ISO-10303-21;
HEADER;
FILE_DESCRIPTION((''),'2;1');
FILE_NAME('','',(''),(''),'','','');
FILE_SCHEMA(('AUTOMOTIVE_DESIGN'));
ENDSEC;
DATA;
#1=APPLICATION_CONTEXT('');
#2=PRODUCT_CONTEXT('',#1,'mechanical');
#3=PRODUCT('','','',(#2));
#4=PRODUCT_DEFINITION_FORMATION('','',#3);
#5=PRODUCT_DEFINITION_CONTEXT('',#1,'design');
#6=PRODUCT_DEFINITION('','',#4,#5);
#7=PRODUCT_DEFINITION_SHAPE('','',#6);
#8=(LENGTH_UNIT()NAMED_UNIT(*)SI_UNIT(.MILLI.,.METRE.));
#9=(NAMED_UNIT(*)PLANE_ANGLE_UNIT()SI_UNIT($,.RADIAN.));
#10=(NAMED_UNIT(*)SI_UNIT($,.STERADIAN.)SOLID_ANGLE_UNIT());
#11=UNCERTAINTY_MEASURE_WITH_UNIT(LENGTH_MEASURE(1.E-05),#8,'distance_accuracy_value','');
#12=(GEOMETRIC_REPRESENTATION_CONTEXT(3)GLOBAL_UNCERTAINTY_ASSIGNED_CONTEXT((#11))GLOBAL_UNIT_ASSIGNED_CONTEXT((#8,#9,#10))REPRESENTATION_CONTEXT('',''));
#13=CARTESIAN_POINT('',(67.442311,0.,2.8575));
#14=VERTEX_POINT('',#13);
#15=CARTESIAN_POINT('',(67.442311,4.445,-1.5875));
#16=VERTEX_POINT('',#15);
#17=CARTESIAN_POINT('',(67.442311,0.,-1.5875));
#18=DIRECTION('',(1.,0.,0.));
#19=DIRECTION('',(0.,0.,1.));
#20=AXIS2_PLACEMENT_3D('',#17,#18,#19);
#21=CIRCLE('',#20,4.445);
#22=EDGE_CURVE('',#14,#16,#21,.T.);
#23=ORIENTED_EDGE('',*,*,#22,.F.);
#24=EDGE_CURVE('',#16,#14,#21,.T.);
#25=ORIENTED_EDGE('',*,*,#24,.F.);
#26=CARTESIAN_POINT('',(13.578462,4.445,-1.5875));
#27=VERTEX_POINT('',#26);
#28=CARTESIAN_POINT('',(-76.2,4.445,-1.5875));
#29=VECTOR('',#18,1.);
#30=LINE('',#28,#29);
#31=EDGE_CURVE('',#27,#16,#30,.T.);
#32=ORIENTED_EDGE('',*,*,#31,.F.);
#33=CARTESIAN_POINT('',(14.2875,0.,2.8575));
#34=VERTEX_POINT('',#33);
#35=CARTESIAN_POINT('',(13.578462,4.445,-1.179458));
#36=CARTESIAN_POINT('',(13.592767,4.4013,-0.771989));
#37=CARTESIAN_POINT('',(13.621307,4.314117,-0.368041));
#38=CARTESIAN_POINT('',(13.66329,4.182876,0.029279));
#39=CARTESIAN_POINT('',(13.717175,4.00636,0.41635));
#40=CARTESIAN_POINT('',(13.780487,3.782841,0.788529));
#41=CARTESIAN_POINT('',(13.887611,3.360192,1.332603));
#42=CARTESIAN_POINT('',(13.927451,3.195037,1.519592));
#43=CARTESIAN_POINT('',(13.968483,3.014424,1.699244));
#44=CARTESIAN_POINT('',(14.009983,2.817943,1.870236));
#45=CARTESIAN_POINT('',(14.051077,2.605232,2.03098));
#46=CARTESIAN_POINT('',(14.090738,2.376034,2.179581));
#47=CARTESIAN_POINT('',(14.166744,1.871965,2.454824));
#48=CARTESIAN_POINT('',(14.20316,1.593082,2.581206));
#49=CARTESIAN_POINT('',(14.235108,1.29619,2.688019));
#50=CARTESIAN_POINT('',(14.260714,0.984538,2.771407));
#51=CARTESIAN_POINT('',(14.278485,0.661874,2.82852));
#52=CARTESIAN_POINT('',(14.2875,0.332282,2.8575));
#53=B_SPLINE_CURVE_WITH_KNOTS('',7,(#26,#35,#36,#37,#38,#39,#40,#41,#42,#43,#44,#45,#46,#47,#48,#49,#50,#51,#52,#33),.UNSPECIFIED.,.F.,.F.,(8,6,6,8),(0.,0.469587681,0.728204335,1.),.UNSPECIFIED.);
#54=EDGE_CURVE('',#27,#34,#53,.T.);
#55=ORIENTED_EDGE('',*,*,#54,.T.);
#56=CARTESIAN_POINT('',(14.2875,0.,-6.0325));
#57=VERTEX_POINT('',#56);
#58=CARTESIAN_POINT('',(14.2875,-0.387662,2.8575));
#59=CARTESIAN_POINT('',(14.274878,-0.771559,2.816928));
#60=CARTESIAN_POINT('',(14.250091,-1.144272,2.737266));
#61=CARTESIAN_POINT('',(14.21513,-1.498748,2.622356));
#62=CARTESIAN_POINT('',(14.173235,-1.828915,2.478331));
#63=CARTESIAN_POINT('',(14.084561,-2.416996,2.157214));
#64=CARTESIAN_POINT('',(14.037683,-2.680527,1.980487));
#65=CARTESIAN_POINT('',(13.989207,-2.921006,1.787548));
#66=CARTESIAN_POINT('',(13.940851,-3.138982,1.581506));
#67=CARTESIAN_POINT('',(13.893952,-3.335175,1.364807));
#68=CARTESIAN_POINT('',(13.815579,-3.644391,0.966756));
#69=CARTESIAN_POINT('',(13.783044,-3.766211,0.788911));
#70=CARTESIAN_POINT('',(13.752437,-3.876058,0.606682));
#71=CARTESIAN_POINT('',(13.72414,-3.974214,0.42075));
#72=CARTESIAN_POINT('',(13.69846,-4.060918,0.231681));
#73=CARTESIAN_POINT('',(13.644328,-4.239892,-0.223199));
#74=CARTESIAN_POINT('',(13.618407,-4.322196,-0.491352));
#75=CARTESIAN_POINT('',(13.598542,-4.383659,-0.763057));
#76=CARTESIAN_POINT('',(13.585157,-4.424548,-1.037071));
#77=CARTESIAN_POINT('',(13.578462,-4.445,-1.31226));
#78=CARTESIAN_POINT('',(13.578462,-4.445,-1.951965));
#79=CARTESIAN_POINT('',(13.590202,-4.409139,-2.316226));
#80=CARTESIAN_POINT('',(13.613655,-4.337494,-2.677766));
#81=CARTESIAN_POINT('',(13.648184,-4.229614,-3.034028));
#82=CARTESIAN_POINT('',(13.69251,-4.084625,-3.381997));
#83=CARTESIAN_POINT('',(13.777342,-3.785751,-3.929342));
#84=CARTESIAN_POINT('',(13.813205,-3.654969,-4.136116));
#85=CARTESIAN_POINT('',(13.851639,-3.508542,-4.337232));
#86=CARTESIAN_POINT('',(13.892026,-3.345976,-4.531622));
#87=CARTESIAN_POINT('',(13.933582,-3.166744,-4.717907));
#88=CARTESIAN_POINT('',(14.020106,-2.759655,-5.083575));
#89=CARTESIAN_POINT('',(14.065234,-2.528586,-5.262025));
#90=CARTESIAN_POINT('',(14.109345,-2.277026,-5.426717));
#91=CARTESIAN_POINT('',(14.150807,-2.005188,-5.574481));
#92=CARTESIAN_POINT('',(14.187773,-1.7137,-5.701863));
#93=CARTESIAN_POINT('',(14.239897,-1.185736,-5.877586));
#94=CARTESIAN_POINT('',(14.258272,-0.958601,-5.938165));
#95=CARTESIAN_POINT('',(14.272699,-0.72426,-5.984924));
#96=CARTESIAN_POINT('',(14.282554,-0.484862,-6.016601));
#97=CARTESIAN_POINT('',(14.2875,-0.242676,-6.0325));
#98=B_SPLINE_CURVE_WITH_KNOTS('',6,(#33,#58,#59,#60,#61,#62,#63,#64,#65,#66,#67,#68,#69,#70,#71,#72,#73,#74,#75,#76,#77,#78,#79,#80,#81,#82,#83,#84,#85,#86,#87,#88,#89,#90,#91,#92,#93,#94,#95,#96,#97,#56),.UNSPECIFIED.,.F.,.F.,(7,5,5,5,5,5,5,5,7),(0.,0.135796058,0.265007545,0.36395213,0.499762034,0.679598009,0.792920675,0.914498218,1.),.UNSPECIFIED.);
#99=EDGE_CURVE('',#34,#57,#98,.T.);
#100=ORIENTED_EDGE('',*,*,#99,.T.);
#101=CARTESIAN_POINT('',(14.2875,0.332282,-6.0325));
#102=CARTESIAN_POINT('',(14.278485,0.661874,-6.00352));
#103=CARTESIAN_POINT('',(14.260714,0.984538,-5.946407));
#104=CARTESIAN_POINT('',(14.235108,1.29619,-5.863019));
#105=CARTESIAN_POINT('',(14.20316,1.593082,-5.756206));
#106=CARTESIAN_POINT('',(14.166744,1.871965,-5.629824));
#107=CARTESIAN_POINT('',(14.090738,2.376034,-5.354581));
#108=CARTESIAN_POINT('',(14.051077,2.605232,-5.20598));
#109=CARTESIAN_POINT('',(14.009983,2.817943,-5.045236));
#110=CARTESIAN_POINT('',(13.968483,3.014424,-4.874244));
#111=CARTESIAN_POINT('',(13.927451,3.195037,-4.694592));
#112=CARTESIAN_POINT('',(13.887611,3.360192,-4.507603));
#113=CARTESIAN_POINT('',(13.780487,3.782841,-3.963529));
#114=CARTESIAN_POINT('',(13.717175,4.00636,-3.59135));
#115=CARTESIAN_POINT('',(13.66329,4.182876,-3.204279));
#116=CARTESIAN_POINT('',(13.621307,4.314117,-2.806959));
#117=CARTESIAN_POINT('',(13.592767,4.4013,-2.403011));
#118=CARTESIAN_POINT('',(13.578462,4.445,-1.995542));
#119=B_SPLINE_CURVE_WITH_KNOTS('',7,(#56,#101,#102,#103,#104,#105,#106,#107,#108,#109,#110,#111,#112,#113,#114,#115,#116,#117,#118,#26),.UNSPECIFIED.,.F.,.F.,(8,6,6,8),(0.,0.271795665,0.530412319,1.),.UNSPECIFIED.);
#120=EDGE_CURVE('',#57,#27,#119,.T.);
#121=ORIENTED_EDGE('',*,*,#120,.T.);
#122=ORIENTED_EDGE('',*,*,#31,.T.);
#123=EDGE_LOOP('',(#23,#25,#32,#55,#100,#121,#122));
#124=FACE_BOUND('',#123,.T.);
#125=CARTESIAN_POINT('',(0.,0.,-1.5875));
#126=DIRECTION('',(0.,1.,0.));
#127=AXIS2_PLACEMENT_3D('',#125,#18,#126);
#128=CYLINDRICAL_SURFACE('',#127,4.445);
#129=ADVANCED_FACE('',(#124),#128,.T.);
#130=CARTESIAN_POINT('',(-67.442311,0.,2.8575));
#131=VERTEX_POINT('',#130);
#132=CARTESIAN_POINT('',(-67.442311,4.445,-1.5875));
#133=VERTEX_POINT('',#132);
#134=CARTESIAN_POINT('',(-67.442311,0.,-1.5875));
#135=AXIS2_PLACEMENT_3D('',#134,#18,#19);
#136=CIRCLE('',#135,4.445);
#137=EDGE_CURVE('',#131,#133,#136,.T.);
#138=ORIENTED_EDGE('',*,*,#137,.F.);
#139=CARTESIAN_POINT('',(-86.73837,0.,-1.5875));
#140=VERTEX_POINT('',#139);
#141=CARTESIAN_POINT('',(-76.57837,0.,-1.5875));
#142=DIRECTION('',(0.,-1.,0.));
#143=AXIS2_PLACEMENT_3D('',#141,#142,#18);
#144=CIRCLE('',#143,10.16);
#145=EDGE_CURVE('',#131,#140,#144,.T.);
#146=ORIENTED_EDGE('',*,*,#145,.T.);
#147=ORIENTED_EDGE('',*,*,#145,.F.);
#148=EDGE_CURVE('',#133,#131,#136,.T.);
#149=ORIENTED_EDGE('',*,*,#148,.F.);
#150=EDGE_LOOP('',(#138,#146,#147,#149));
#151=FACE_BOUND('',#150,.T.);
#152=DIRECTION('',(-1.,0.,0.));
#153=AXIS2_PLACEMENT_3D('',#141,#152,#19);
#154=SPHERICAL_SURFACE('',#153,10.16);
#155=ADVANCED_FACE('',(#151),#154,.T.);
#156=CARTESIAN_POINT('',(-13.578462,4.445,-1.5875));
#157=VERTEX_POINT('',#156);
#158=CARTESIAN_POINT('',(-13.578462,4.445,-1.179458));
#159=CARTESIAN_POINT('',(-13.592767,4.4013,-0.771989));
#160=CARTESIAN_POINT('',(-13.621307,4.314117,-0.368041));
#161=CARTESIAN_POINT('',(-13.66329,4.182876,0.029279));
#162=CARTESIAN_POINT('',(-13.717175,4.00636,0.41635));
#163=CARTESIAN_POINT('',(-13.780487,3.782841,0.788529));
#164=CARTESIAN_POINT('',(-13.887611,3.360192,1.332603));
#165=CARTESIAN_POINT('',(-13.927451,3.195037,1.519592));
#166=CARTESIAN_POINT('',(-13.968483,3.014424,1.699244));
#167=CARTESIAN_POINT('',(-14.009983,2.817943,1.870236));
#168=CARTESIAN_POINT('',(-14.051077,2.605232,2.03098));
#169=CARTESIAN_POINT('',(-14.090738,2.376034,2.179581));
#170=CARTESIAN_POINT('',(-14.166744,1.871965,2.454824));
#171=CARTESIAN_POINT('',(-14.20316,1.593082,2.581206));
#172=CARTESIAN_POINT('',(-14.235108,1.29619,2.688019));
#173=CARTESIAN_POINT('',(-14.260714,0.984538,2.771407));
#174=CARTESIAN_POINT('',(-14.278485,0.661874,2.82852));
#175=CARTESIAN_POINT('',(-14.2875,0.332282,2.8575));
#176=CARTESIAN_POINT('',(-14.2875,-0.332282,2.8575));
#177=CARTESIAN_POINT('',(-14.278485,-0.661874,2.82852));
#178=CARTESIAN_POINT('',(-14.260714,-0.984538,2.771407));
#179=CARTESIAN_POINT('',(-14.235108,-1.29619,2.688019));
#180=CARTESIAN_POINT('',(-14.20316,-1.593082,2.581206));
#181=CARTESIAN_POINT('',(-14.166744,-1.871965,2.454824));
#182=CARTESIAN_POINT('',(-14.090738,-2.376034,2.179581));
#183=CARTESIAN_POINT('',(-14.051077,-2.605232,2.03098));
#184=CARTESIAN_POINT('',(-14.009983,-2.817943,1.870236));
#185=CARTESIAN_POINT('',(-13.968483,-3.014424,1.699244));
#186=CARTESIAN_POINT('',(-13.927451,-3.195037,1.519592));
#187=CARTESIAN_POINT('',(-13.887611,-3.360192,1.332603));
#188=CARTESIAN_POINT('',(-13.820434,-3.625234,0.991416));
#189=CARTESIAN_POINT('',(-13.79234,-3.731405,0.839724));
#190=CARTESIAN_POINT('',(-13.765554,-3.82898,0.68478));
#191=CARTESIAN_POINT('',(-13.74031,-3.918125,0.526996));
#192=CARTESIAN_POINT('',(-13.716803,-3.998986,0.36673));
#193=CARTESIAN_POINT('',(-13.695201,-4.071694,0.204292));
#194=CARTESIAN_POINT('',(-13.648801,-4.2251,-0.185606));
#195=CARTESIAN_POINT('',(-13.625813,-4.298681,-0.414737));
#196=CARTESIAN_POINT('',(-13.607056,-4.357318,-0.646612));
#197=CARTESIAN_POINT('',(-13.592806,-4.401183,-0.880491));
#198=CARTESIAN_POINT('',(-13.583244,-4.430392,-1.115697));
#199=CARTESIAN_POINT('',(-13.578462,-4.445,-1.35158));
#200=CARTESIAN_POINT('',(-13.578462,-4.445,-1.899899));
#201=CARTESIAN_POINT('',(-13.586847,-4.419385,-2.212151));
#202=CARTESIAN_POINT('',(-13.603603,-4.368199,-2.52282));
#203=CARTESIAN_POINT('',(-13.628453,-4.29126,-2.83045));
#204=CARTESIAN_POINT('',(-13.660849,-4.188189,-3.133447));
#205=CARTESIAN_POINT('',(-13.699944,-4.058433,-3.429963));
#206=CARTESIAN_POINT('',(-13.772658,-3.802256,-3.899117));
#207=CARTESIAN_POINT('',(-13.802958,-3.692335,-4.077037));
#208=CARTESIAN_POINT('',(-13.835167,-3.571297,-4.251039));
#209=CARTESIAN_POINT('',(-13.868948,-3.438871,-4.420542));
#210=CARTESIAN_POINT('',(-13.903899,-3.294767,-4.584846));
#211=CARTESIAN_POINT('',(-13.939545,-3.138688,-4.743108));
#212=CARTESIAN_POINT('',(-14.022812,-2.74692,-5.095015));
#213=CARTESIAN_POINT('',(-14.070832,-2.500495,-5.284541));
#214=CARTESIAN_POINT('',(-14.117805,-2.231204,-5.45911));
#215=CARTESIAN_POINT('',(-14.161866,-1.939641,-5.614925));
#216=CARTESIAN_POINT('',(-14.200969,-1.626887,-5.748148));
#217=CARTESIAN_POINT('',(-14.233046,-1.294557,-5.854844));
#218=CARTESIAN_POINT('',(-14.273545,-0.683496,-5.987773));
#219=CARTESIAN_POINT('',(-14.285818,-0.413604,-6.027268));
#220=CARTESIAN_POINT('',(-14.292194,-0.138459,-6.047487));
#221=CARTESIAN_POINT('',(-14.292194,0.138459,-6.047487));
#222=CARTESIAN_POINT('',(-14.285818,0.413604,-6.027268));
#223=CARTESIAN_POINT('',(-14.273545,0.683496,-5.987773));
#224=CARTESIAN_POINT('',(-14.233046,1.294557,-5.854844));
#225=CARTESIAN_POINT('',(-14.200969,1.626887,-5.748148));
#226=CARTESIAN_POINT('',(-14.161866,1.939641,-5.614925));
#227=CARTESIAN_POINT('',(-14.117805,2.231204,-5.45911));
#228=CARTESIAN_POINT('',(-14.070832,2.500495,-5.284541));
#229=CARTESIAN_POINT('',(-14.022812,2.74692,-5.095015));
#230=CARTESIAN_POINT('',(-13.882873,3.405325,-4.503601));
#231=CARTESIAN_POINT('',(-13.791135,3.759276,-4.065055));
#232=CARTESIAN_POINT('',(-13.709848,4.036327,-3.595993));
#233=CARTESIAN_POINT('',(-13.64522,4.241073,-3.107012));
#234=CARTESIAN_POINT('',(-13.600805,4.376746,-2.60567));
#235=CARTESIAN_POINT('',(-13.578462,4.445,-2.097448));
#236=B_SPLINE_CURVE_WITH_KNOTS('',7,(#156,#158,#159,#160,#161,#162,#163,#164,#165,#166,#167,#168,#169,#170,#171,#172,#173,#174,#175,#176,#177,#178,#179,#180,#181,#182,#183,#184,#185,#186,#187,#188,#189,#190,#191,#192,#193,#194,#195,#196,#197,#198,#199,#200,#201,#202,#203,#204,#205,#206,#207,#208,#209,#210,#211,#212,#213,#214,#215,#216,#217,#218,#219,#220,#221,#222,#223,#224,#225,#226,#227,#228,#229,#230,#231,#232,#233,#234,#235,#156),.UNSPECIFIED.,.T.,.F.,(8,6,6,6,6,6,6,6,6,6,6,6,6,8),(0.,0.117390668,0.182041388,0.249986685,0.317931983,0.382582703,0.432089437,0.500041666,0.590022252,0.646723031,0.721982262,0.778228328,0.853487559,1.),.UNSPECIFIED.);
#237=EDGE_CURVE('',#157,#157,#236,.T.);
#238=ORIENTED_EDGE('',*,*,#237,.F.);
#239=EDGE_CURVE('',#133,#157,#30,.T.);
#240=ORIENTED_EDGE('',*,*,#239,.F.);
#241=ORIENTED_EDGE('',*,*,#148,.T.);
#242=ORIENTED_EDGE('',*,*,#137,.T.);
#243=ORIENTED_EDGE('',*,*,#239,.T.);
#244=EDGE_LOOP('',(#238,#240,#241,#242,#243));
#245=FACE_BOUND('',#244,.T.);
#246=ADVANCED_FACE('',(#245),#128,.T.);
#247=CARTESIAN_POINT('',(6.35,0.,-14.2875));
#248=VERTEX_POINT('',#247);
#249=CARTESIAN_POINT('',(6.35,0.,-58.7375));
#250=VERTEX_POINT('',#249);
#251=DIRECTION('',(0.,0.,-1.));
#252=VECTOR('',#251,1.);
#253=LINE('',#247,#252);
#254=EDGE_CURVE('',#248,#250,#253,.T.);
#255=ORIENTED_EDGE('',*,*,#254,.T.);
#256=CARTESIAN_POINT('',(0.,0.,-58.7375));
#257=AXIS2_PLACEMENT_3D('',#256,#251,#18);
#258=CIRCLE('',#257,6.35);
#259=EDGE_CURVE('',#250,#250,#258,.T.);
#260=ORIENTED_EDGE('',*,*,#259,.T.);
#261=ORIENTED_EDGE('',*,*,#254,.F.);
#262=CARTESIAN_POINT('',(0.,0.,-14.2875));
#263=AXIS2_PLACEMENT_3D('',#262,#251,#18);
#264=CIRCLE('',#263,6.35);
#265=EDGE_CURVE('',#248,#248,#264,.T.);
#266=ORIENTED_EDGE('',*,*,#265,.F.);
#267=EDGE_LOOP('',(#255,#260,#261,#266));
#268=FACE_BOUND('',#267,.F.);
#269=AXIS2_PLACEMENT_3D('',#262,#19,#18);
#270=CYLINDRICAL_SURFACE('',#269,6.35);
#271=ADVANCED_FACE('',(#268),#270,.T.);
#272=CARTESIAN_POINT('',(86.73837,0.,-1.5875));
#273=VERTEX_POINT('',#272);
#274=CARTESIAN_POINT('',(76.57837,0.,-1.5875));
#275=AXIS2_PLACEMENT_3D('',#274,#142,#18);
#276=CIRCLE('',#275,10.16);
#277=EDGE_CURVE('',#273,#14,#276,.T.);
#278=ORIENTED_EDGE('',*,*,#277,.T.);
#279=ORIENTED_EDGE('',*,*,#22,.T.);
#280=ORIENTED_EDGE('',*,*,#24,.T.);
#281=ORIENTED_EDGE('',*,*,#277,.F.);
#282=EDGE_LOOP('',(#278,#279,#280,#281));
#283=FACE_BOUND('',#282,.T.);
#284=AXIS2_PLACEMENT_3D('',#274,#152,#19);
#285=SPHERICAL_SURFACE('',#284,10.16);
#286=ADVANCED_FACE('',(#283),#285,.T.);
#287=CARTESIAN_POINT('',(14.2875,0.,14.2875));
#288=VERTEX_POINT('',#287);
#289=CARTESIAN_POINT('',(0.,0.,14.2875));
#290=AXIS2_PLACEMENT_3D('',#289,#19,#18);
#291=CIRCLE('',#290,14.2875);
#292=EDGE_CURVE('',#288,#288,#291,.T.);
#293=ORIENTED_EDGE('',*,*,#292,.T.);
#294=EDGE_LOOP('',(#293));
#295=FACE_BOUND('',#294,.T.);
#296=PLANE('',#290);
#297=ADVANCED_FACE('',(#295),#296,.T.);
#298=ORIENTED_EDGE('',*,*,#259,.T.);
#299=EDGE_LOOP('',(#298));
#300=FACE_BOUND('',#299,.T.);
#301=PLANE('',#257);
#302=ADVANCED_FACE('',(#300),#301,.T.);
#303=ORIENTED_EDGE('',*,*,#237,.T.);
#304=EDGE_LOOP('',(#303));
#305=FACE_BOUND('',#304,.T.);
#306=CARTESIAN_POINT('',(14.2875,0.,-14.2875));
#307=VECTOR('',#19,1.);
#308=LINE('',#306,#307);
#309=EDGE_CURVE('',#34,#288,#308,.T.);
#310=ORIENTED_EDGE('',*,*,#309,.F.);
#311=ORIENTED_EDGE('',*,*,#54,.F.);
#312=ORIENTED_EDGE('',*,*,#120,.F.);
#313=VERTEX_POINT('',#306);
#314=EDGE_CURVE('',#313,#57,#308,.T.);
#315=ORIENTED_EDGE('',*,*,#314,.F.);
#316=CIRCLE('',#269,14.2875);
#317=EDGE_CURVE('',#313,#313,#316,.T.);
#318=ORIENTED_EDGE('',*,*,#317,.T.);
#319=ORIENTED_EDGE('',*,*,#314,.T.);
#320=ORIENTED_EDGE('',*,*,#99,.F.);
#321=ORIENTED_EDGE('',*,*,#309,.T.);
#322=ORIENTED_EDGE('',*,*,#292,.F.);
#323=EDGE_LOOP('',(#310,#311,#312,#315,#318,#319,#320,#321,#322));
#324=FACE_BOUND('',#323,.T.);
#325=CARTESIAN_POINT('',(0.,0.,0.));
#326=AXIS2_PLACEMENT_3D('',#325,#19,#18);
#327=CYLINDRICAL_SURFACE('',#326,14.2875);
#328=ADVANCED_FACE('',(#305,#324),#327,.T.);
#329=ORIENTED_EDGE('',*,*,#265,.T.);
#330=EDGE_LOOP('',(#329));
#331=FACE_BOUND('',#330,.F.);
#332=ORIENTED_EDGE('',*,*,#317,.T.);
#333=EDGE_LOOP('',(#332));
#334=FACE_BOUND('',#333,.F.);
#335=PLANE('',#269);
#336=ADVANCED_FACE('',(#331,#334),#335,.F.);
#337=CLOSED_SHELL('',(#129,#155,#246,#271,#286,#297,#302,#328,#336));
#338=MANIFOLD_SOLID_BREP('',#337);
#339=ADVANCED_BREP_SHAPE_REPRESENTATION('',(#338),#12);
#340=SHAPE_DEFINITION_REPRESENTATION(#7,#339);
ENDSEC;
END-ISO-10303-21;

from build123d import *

# Parameters (mm, degrees)
F0_R     = 14.2875
F1_DEPTH = 14.2875
F2_R     = 6.35
F3_DEPTH = 44.45
F4_R     = 4.445
F5_DEPTH = 76.2


with BuildPart() as f1:
    # F0 (on Top) → F1 (new body, symmetric)
    with BuildSketch(Plane.XY):
        Circle(F0_R)
    extrude(amount=F1_DEPTH, both=True)

    # F2 (on face) → F3 (join)
    with BuildSketch(Plane(origin=(0, 0, -14.2875), x_dir=(1, 0, 0), z_dir=(0, 0, -1))):
        Circle(F2_R)
    extrude(amount=F3_DEPTH)

    # F4 (on Right) → F5 (join, symmetric)
    with BuildSketch(Plane.YZ):
        with Locations((0, -1.5875)):
            Circle(F4_R)
    extrude(amount=F5_DEPTH, both=True)

    # F6 (on Front) → F7 (revolve)
    with BuildSketch(Plane.XZ):
        with BuildLine():
            Line((-86.73837, -1.5875), (-66.41837, -1.5875))
            ThreePointArc((-66.41837, -1.5875), (-76.57837, 8.5725), (-86.73837, -1.5875))
        make_face()
        with BuildLine():
            ThreePointArc((86.73837, -1.5875), (76.57837, 8.5725), (66.41837, -1.5875))
            Line((66.41837, -1.5875), (86.73837, -1.5875))
        make_face()
    revolve(axis=Axis((-76.57837, 0, -1.5875), (-1, 0, 0)))


solid = f1.part
